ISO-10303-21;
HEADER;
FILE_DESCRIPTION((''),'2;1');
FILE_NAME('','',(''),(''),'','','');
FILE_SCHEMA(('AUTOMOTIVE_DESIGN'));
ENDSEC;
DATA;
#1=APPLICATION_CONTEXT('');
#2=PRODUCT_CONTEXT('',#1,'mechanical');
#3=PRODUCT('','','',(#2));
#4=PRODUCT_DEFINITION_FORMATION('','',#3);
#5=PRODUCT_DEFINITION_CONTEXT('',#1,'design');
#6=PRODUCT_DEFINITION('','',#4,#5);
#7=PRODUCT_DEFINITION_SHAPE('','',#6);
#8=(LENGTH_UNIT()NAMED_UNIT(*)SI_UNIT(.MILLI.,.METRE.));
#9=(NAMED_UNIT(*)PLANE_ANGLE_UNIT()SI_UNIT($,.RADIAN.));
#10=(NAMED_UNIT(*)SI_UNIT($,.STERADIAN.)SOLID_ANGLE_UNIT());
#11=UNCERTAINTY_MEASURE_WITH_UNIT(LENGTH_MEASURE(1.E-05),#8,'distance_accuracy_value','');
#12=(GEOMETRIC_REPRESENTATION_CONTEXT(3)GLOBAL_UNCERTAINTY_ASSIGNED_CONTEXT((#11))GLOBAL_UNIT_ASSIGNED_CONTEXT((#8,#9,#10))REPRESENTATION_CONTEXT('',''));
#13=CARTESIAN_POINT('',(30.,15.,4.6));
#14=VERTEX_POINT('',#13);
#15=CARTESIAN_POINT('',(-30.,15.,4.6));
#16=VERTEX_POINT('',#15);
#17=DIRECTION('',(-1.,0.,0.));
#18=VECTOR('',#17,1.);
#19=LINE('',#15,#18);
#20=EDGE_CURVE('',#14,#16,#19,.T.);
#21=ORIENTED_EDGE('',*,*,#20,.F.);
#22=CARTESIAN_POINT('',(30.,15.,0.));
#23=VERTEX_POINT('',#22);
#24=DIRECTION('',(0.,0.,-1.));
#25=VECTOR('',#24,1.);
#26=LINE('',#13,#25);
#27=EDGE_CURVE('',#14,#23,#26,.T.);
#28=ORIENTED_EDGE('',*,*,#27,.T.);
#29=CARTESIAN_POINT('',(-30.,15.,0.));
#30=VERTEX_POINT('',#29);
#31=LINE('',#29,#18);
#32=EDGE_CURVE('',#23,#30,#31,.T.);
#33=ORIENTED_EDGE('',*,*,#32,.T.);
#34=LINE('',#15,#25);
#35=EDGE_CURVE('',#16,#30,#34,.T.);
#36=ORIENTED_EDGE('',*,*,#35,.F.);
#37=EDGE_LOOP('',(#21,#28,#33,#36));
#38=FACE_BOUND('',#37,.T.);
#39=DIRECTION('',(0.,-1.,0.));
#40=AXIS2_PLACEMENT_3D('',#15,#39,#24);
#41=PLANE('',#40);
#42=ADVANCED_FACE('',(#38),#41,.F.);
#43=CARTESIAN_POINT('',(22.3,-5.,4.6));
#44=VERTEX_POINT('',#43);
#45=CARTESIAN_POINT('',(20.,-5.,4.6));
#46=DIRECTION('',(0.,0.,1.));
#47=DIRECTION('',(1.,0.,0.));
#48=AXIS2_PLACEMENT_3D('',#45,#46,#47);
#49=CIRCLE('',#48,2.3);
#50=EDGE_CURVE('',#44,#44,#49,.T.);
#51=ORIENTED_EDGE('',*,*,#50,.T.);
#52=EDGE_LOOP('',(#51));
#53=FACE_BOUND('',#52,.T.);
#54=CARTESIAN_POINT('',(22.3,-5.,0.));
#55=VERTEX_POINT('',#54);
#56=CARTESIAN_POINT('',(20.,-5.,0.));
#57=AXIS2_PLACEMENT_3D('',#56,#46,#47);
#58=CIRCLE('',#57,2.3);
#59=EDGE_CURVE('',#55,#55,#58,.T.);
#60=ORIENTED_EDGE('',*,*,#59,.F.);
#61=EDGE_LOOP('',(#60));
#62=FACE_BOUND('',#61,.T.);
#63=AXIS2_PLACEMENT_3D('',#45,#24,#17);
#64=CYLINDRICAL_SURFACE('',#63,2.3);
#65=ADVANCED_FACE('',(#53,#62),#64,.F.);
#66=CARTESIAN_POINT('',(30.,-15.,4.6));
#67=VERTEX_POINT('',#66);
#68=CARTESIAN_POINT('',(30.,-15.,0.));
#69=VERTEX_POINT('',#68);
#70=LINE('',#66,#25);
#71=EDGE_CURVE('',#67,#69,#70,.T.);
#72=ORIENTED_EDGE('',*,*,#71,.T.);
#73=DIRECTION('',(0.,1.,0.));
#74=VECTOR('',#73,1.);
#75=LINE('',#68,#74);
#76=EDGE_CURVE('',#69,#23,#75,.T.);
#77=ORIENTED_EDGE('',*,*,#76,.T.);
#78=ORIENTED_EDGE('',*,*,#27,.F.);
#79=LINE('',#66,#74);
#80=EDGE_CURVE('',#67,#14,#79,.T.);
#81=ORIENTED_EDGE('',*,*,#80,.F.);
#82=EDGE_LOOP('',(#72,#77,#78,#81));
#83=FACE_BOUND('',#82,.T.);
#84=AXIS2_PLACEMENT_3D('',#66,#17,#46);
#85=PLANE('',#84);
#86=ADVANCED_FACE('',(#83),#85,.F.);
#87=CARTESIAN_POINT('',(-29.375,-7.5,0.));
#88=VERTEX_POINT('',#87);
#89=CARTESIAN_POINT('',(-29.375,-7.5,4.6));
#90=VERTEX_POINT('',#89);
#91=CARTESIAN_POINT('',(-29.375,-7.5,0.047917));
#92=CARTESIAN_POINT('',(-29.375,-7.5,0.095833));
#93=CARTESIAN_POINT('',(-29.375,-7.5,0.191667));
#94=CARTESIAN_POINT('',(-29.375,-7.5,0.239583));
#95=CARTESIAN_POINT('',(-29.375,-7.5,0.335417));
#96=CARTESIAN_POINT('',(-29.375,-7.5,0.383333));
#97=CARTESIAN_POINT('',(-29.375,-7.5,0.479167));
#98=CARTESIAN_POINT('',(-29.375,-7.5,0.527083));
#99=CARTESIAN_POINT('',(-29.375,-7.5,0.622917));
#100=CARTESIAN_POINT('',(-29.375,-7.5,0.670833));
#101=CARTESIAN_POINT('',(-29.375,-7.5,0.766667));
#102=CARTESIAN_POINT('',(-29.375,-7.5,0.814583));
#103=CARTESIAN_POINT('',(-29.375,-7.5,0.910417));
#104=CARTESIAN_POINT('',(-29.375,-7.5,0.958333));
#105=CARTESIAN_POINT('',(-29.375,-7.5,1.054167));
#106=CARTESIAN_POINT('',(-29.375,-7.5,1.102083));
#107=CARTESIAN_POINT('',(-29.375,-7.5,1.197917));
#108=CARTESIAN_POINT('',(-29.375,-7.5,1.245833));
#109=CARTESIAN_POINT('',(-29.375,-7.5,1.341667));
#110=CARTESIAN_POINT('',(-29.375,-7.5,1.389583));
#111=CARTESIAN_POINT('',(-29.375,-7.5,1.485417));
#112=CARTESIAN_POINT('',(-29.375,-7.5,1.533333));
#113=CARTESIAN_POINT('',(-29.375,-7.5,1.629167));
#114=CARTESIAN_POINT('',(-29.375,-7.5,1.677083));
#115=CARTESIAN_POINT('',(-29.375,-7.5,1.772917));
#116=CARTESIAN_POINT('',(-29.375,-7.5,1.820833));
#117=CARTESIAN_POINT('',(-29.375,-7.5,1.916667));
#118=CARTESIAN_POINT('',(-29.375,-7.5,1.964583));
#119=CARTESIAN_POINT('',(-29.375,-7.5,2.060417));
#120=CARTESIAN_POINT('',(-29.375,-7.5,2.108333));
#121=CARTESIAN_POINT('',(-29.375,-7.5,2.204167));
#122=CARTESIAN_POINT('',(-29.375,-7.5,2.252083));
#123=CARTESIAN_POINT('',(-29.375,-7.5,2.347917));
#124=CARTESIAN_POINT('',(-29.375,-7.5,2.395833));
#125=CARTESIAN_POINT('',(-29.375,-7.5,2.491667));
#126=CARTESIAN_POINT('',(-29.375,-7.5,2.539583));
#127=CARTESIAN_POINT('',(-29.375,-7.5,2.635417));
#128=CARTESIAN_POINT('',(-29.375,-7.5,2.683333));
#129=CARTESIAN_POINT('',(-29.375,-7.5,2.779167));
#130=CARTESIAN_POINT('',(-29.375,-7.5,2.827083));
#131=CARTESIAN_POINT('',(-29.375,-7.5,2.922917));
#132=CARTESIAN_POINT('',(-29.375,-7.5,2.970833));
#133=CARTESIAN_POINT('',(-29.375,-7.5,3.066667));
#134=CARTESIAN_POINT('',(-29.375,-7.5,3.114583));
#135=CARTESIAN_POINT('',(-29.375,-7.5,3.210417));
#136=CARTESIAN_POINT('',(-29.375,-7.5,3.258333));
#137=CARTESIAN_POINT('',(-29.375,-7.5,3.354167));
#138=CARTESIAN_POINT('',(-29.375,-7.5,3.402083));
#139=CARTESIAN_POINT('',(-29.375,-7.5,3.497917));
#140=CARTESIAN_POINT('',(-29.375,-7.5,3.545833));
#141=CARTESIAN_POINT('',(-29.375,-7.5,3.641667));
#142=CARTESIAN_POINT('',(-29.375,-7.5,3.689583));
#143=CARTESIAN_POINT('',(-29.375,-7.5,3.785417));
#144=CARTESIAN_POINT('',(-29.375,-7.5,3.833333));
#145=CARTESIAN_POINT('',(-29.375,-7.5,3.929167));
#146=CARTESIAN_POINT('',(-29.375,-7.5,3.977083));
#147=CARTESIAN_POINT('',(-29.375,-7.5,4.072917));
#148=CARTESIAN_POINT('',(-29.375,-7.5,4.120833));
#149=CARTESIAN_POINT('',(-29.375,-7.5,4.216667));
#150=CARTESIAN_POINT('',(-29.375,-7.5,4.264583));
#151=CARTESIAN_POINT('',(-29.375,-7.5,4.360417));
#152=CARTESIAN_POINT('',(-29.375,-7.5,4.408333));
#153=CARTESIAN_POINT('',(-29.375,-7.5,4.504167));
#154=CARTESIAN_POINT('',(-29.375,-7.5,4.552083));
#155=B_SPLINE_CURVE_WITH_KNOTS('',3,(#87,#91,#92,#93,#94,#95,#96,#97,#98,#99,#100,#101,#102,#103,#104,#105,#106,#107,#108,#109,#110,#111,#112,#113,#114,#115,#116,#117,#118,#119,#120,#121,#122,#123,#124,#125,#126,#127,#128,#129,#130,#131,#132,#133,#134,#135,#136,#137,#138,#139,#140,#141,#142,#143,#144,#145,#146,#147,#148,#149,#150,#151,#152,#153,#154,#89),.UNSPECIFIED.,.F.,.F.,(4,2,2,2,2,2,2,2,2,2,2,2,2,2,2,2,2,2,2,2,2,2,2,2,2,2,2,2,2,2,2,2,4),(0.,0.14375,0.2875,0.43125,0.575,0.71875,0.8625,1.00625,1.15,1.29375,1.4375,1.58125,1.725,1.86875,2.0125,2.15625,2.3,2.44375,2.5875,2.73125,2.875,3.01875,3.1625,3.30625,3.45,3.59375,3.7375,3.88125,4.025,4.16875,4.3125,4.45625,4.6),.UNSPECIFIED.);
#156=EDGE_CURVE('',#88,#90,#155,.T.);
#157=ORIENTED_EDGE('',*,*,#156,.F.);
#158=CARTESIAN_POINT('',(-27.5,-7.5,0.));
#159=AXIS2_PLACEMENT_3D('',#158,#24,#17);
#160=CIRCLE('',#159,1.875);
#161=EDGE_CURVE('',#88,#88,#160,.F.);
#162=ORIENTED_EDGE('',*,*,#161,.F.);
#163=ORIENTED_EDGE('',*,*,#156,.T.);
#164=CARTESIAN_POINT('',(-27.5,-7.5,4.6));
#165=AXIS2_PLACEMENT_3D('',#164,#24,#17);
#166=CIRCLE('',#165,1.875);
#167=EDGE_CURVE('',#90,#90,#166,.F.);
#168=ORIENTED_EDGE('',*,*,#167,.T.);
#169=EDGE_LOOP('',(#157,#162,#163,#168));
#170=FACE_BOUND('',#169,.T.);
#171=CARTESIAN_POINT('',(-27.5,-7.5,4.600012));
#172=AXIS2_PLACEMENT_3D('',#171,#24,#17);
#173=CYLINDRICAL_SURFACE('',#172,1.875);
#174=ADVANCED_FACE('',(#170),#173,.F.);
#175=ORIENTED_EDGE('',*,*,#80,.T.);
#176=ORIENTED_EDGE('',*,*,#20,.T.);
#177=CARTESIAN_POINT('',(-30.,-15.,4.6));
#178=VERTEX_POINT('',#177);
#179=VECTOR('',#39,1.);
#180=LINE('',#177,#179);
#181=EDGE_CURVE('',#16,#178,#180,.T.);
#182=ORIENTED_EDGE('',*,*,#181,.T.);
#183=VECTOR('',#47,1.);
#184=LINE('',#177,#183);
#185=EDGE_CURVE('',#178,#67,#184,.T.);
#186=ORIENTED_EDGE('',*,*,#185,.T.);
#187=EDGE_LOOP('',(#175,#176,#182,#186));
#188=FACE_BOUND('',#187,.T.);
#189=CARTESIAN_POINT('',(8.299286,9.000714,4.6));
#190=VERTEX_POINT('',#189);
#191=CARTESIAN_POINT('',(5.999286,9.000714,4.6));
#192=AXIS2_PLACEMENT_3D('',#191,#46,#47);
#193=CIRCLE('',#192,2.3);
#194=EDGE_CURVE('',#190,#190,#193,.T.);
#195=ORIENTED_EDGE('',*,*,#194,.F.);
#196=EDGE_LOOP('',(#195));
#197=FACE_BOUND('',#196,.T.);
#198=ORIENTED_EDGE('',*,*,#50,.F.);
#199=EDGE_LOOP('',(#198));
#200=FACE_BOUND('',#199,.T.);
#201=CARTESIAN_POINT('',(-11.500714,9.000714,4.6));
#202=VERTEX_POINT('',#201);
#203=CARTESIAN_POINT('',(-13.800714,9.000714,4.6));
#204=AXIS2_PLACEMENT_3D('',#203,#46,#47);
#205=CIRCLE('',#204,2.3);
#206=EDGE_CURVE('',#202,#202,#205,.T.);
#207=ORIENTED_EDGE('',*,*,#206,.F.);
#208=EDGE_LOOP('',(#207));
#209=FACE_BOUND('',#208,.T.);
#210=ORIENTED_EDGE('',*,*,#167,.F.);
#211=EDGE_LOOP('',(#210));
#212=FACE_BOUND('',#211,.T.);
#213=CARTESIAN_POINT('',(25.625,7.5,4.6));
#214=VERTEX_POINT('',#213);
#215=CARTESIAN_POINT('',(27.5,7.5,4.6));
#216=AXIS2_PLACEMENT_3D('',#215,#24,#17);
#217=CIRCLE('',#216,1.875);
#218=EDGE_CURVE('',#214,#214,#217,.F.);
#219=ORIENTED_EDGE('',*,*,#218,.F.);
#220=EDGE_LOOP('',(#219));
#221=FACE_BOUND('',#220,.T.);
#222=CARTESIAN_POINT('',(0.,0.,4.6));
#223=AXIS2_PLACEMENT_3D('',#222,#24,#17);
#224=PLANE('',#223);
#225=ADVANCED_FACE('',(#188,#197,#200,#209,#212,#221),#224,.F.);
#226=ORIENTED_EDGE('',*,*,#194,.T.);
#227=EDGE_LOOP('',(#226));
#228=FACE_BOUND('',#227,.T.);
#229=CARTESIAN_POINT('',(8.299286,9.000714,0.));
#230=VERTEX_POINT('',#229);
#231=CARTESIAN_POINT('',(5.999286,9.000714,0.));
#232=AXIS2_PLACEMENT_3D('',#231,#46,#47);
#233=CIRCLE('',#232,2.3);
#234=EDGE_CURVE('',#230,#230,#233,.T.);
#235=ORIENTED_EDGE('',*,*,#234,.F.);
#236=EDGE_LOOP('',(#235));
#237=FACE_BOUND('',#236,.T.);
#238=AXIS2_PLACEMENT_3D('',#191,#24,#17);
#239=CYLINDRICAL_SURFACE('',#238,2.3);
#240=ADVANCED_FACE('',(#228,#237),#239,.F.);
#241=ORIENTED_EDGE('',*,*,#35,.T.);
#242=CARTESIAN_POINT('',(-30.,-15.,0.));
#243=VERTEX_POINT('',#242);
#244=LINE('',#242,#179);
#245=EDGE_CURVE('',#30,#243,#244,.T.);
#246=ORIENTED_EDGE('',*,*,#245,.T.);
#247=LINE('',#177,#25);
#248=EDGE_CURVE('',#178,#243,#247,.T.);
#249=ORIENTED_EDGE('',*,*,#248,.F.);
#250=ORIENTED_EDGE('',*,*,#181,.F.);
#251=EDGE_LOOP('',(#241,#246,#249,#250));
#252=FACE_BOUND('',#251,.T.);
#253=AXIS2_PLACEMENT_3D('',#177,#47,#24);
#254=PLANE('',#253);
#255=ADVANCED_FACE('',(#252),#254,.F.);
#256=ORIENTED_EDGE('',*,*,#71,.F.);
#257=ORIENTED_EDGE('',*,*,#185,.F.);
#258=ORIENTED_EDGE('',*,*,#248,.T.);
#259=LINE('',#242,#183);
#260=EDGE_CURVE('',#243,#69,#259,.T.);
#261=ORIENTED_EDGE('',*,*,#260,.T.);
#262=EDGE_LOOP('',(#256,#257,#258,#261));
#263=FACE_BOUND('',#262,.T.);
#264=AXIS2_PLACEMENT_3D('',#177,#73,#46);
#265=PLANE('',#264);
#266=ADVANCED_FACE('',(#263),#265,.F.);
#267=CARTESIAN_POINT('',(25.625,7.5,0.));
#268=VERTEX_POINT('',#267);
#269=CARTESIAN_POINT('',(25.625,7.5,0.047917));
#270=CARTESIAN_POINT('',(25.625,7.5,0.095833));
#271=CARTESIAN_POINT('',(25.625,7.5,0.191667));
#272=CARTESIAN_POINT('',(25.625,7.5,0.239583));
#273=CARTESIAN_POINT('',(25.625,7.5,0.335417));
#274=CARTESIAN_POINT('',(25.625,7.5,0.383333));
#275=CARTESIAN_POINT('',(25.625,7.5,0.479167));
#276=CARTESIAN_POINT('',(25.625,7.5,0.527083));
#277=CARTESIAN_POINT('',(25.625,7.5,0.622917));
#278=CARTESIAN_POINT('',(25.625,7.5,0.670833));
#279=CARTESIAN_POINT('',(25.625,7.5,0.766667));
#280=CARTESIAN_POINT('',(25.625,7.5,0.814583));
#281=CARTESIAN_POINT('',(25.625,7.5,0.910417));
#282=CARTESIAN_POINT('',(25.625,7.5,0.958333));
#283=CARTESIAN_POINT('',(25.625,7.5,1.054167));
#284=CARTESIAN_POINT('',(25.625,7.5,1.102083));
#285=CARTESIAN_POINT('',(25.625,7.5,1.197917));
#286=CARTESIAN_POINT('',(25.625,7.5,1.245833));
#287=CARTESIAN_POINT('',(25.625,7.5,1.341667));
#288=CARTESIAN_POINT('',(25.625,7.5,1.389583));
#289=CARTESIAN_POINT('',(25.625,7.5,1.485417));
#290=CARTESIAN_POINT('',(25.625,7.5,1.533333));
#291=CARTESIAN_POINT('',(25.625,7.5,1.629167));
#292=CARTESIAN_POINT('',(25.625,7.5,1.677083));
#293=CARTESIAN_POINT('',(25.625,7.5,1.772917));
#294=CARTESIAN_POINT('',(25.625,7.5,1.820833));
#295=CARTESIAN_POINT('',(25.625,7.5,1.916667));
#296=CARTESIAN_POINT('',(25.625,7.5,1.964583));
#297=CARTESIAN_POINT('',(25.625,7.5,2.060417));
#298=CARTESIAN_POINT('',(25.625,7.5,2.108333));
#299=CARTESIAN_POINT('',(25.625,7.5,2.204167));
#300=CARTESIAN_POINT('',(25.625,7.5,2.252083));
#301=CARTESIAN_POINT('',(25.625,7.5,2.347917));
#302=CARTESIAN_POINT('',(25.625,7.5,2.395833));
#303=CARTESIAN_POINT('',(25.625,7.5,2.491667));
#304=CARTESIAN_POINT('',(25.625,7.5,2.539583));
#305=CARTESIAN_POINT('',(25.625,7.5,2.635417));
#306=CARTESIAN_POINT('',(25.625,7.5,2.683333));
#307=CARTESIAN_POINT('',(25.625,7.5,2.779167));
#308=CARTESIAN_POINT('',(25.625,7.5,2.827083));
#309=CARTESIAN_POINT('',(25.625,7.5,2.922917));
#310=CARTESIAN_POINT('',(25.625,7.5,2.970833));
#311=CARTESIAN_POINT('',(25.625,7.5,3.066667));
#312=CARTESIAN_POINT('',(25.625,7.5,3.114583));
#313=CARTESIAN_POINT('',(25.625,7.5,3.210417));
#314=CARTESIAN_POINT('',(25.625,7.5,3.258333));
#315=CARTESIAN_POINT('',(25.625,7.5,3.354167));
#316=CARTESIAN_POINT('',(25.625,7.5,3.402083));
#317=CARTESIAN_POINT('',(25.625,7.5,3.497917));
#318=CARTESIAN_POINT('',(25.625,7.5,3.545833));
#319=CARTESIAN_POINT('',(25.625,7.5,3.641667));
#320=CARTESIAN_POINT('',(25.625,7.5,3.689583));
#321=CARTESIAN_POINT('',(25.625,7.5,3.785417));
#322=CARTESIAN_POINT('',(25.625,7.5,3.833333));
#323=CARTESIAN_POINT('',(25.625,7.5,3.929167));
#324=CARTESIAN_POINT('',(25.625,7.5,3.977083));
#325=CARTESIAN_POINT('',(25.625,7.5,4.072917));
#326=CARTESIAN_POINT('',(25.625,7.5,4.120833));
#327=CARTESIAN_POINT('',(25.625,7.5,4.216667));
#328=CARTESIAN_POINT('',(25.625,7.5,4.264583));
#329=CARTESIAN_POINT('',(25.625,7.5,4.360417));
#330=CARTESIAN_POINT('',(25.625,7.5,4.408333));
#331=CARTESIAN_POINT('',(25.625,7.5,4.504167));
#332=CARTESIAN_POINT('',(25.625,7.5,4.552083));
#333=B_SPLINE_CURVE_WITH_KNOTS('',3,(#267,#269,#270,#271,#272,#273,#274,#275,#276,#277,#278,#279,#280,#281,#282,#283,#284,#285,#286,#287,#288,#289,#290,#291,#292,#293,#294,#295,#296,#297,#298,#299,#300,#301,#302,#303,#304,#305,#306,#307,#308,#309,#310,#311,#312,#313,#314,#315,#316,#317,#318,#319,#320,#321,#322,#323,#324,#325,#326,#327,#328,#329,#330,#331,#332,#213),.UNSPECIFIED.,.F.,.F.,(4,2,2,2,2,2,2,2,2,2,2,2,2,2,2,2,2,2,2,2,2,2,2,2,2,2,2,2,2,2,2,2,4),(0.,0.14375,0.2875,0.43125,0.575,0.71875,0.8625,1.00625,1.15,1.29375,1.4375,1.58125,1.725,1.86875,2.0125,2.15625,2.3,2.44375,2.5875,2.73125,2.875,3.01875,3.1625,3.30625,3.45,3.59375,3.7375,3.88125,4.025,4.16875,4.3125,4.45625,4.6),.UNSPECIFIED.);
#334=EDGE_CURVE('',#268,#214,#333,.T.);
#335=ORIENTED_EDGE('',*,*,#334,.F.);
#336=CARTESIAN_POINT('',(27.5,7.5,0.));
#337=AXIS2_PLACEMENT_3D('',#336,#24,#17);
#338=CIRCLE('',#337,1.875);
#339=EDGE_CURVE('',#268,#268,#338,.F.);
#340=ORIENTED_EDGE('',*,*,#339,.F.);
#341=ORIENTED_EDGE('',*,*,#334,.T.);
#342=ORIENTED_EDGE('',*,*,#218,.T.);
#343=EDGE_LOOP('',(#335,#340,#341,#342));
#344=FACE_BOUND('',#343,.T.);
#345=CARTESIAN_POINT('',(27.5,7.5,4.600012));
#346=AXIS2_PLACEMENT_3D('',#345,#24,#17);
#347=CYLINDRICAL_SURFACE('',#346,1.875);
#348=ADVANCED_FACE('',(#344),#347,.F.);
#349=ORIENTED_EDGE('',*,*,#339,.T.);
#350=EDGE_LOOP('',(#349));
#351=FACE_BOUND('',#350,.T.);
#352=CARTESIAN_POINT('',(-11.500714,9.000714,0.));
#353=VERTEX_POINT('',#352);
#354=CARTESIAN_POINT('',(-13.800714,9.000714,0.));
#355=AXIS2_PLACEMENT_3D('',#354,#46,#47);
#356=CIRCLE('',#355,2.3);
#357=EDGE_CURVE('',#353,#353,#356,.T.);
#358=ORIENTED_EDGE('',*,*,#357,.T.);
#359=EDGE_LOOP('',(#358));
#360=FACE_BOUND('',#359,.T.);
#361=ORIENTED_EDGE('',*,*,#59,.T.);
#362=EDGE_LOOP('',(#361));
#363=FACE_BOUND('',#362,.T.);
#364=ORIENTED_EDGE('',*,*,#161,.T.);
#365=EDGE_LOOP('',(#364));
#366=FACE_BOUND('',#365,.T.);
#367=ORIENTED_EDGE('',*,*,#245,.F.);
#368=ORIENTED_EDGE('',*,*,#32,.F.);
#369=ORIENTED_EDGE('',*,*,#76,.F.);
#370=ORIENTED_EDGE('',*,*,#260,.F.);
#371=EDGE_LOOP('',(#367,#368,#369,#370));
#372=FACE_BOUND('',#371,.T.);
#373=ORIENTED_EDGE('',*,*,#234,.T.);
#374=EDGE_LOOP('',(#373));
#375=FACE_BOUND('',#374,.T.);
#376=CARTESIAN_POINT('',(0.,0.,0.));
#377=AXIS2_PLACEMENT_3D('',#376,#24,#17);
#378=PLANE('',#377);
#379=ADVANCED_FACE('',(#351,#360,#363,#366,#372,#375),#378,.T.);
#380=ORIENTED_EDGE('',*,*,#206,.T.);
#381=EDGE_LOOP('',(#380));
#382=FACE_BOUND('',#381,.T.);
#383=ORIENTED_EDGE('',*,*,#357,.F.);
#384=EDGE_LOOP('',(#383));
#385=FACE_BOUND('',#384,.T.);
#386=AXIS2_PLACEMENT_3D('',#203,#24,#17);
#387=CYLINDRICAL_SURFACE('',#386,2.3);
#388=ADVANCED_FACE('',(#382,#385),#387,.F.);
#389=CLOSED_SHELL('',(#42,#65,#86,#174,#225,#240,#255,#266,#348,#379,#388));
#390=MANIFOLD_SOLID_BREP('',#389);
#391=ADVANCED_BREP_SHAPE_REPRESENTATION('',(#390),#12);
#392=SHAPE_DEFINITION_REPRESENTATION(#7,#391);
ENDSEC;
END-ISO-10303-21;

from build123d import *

# Parameters (mm, degrees)
SKETCH1_W                      = 60
SKETCH1_H                      = 30
SKETCH1_R                      = 2.3
BOSS_EXTRUDE1_DEPTH            = 4.6
CUT_EXTRUDE1_REACH             = 35.855
SKETCH2_R                      = 1.875
CUT_EXTRUDE1_DIRECTION_2_DEPTH = 34.854984862


with BuildPart() as part:
    # Sketch1 → Boss-Extrude1 (new body)
    with BuildSketch(Plane.XY):
        Rectangle(SKETCH1_W, SKETCH1_H)
        with Locations((-13.800714267, 9.000714267)):
            Circle(SKETCH1_R, mode=Mode.SUBTRACT)
        with Locations((5.999285733, 9.000714267)):
            Circle(SKETCH1_R, mode=Mode.SUBTRACT)
        with Locations((20, -5)):
            Circle(SKETCH1_R, mode=Mode.SUBTRACT)
    extrude(amount=BOSS_EXTRUDE1_DEPTH)

    # Sketch2 → Cut-Extrude1 (cut, up to next)
    with BuildSketch(Plane.XY.offset(4.6), mode=Mode.PRIVATE) as cut_extrude1_sk1:
        with Locations(Location((-27.5, -7.5, 0), (0, 0, 180))):
            Circle(SKETCH2_R)
    cut_extrude1_tool1 = extrude(cut_extrude1_sk1.sketch, amount=-CUT_EXTRUDE1_REACH, mode=Mode.PRIVATE) & part.part
    # Sketch2 → Cut-Extrude1 (cut, up to next)
    with BuildSketch(Plane.XY.offset(4.6), mode=Mode.PRIVATE) as cut_extrude1_sk2:
        with Locations(Location((27.5, 7.5, 0), (0, 0, 180))):
            Circle(SKETCH2_R)
    cut_extrude1_tool2 = extrude(cut_extrude1_sk2.sketch, amount=-CUT_EXTRUDE1_REACH, mode=Mode.PRIVATE) & part.part
    add(cut_extrude1_tool1.solids().sort_by_distance((-27.5, -7.5, 4.6))[0], mode=Mode.SUBTRACT)
    add(cut_extrude1_tool2.solids().sort_by_distance((27.5, 7.5, 4.6))[0], mode=Mode.SUBTRACT)

    # Sketch2 → Cut-Extrude1 direction 2 (cut)
    with BuildSketch(Plane.XY.offset(4.6)):
        with Locations(Location((-27.5, -7.5, 0), (0, 0, 180))):
            Circle(SKETCH2_R)
        with Locations(Location((27.5, 7.5, 0), (0, 0, 180))):
            Circle(SKETCH2_R)
    extrude(amount=CUT_EXTRUDE1_DIRECTION_2_DEPTH, mode=Mode.SUBTRACT)


solid = part.part
